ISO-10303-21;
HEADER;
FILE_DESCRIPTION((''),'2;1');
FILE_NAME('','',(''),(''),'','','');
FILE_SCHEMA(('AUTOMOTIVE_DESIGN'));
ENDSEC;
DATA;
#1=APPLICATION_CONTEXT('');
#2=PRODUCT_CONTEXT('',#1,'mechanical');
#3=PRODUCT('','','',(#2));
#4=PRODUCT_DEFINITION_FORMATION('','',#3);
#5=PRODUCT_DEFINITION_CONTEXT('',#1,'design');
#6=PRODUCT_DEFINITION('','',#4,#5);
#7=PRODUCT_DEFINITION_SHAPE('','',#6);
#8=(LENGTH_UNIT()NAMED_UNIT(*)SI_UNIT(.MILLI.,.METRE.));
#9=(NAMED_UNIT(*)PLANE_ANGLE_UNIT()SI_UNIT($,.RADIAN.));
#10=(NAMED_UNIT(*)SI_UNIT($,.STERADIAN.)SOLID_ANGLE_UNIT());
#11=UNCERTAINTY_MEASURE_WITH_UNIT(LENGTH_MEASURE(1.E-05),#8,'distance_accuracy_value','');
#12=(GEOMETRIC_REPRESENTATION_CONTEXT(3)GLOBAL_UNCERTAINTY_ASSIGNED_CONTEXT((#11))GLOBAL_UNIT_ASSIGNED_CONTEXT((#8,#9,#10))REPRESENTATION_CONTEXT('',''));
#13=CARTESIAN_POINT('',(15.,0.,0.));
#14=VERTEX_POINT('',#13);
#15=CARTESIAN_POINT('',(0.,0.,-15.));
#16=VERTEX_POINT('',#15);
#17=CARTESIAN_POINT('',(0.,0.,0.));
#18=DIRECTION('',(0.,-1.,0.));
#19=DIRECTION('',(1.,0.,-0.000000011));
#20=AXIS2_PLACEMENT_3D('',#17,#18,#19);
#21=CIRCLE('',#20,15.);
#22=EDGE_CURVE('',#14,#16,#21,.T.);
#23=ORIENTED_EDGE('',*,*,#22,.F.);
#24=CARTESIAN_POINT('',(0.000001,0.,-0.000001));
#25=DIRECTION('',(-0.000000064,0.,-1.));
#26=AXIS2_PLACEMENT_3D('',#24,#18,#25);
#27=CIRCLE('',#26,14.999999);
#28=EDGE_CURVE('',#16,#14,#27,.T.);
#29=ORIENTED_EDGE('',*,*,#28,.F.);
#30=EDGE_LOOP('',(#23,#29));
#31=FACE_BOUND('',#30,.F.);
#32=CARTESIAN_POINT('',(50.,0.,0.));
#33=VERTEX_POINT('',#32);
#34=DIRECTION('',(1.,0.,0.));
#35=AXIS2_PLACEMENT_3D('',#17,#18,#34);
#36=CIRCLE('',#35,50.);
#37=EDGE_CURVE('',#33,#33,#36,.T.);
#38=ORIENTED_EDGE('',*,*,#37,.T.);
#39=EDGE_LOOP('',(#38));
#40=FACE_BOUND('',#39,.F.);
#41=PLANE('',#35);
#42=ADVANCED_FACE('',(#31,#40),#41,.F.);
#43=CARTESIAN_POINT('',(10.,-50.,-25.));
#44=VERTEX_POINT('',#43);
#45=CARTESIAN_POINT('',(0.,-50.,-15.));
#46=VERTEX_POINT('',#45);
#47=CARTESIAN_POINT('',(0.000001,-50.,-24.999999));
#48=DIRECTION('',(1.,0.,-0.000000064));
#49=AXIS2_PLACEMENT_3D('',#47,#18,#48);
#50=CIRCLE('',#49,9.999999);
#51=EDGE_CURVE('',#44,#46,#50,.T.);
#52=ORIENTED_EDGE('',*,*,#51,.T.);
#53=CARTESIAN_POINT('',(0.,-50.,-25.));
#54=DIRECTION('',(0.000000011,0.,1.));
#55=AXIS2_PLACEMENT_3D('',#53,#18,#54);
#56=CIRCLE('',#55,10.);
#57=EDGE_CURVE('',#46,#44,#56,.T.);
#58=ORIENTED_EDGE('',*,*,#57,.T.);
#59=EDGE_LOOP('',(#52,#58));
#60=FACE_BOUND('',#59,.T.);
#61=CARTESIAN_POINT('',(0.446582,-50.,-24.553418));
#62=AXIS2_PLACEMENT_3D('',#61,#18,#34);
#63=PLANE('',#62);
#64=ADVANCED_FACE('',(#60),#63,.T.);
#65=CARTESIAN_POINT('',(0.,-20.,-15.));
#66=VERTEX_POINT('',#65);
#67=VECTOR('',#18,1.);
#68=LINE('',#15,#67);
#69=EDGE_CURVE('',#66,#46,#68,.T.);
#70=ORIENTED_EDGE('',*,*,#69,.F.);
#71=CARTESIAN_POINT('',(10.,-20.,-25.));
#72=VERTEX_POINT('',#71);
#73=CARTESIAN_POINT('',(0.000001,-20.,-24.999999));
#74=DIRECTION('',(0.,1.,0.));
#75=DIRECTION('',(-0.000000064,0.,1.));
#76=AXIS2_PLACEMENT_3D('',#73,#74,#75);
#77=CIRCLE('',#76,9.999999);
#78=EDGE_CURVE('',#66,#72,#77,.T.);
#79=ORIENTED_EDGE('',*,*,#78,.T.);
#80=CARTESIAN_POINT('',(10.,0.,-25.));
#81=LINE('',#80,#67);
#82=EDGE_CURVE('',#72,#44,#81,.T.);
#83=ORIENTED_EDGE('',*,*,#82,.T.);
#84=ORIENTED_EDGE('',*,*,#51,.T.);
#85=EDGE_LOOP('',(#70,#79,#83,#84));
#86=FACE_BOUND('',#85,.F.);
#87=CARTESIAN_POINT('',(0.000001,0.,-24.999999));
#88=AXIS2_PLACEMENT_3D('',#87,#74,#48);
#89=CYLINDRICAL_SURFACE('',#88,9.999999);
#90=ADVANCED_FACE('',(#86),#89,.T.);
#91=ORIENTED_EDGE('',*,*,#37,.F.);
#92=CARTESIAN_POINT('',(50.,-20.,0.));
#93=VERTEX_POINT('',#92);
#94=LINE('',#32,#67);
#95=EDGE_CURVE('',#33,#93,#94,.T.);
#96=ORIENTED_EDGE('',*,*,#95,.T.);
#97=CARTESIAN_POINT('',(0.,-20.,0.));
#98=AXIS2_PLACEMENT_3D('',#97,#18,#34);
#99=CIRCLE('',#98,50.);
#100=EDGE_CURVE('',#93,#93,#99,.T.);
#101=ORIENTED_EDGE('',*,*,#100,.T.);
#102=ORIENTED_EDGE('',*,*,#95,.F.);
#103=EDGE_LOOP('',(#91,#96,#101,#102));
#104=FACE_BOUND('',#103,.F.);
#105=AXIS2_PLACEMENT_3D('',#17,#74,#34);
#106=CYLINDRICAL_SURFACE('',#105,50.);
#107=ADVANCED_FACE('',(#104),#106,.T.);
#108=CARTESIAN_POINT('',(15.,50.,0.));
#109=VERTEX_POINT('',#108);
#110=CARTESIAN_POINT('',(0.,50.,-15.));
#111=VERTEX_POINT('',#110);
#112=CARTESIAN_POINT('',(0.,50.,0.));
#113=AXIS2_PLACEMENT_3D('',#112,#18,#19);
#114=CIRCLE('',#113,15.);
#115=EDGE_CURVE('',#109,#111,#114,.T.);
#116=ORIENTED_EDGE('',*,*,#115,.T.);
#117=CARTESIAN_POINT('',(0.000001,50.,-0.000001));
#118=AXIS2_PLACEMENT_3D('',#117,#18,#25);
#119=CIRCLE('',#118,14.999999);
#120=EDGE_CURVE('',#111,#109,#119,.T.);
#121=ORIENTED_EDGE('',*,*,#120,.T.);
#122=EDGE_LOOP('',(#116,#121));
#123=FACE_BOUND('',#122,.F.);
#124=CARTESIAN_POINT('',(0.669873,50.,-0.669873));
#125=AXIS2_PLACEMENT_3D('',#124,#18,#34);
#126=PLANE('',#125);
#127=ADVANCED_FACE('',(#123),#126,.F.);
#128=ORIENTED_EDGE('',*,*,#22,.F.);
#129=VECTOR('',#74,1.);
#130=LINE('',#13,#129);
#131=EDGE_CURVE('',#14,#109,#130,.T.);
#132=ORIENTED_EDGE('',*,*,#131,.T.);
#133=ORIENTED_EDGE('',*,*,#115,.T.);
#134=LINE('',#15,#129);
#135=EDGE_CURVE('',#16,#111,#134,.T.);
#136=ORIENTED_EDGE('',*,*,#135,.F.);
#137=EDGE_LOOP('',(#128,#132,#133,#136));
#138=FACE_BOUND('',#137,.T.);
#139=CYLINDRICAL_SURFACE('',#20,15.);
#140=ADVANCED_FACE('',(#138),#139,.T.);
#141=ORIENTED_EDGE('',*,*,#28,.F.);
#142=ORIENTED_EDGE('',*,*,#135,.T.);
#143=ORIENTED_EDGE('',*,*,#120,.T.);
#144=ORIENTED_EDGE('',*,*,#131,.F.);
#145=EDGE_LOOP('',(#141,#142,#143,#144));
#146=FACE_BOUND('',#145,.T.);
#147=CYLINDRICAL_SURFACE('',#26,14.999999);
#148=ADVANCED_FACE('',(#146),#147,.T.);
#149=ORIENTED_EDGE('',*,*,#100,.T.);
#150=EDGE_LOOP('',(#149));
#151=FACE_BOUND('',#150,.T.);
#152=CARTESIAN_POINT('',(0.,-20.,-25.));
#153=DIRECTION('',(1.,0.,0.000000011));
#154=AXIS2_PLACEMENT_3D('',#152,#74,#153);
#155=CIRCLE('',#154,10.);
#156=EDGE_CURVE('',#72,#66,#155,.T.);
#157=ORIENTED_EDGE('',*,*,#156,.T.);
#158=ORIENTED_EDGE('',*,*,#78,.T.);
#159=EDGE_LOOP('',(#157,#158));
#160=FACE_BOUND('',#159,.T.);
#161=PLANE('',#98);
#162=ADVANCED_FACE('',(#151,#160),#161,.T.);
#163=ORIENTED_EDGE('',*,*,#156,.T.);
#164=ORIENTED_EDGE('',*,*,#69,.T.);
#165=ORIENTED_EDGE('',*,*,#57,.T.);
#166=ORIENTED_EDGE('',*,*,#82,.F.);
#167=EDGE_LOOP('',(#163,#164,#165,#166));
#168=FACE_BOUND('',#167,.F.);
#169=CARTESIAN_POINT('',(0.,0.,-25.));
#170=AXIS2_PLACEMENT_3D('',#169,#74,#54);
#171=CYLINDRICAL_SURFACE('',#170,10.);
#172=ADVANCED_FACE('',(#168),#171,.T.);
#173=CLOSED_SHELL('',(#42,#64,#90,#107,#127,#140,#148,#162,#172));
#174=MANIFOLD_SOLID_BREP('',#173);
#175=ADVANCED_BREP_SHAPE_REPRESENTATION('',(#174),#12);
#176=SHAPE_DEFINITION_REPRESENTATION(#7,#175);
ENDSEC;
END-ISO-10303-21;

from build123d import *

# Parameters (mm, degrees)
F0_R     = 50
F1_DEPTH = 20
F2_DEPTH = 50
F4_DEPTH = 50


with BuildPart() as f1:
    # F0 (on Front) → F1 (new body)
    with BuildSketch(Plane.XZ):
        Circle(F0_R)
        with BuildLine():
            ThreePointArc((0, -15), (7.071068, -17.928932), (10, -25))
            ThreePointArc((10, -25), (-7.071068, -32.071068), (0, -15))
        make_face(mode=Mode.SUBTRACT)
    extrude(amount=F1_DEPTH)

    # F0 (on Front) → F2 (join)
    with BuildSketch(Plane.XZ):
        with BuildLine():
            ThreePointArc((0, -15), (-7.071068, -32.071068), (10, -25))
            ThreePointArc((10, -25), (7.071068, -17.928932), (0, -15))
        make_face()
    extrude(amount=F2_DEPTH)

    # F3 (on face) → F4 (join)
    with BuildSketch(Plane.XZ):
        with BuildLine():
            ThreePointArc((0, -15), (10.606602, -10.606602), (15, 0))
            ThreePointArc((15, 0), (-10.606602, 10.606602), (0, -15))
        make_face()
    extrude(amount=-F4_DEPTH)


solid = f1.part
